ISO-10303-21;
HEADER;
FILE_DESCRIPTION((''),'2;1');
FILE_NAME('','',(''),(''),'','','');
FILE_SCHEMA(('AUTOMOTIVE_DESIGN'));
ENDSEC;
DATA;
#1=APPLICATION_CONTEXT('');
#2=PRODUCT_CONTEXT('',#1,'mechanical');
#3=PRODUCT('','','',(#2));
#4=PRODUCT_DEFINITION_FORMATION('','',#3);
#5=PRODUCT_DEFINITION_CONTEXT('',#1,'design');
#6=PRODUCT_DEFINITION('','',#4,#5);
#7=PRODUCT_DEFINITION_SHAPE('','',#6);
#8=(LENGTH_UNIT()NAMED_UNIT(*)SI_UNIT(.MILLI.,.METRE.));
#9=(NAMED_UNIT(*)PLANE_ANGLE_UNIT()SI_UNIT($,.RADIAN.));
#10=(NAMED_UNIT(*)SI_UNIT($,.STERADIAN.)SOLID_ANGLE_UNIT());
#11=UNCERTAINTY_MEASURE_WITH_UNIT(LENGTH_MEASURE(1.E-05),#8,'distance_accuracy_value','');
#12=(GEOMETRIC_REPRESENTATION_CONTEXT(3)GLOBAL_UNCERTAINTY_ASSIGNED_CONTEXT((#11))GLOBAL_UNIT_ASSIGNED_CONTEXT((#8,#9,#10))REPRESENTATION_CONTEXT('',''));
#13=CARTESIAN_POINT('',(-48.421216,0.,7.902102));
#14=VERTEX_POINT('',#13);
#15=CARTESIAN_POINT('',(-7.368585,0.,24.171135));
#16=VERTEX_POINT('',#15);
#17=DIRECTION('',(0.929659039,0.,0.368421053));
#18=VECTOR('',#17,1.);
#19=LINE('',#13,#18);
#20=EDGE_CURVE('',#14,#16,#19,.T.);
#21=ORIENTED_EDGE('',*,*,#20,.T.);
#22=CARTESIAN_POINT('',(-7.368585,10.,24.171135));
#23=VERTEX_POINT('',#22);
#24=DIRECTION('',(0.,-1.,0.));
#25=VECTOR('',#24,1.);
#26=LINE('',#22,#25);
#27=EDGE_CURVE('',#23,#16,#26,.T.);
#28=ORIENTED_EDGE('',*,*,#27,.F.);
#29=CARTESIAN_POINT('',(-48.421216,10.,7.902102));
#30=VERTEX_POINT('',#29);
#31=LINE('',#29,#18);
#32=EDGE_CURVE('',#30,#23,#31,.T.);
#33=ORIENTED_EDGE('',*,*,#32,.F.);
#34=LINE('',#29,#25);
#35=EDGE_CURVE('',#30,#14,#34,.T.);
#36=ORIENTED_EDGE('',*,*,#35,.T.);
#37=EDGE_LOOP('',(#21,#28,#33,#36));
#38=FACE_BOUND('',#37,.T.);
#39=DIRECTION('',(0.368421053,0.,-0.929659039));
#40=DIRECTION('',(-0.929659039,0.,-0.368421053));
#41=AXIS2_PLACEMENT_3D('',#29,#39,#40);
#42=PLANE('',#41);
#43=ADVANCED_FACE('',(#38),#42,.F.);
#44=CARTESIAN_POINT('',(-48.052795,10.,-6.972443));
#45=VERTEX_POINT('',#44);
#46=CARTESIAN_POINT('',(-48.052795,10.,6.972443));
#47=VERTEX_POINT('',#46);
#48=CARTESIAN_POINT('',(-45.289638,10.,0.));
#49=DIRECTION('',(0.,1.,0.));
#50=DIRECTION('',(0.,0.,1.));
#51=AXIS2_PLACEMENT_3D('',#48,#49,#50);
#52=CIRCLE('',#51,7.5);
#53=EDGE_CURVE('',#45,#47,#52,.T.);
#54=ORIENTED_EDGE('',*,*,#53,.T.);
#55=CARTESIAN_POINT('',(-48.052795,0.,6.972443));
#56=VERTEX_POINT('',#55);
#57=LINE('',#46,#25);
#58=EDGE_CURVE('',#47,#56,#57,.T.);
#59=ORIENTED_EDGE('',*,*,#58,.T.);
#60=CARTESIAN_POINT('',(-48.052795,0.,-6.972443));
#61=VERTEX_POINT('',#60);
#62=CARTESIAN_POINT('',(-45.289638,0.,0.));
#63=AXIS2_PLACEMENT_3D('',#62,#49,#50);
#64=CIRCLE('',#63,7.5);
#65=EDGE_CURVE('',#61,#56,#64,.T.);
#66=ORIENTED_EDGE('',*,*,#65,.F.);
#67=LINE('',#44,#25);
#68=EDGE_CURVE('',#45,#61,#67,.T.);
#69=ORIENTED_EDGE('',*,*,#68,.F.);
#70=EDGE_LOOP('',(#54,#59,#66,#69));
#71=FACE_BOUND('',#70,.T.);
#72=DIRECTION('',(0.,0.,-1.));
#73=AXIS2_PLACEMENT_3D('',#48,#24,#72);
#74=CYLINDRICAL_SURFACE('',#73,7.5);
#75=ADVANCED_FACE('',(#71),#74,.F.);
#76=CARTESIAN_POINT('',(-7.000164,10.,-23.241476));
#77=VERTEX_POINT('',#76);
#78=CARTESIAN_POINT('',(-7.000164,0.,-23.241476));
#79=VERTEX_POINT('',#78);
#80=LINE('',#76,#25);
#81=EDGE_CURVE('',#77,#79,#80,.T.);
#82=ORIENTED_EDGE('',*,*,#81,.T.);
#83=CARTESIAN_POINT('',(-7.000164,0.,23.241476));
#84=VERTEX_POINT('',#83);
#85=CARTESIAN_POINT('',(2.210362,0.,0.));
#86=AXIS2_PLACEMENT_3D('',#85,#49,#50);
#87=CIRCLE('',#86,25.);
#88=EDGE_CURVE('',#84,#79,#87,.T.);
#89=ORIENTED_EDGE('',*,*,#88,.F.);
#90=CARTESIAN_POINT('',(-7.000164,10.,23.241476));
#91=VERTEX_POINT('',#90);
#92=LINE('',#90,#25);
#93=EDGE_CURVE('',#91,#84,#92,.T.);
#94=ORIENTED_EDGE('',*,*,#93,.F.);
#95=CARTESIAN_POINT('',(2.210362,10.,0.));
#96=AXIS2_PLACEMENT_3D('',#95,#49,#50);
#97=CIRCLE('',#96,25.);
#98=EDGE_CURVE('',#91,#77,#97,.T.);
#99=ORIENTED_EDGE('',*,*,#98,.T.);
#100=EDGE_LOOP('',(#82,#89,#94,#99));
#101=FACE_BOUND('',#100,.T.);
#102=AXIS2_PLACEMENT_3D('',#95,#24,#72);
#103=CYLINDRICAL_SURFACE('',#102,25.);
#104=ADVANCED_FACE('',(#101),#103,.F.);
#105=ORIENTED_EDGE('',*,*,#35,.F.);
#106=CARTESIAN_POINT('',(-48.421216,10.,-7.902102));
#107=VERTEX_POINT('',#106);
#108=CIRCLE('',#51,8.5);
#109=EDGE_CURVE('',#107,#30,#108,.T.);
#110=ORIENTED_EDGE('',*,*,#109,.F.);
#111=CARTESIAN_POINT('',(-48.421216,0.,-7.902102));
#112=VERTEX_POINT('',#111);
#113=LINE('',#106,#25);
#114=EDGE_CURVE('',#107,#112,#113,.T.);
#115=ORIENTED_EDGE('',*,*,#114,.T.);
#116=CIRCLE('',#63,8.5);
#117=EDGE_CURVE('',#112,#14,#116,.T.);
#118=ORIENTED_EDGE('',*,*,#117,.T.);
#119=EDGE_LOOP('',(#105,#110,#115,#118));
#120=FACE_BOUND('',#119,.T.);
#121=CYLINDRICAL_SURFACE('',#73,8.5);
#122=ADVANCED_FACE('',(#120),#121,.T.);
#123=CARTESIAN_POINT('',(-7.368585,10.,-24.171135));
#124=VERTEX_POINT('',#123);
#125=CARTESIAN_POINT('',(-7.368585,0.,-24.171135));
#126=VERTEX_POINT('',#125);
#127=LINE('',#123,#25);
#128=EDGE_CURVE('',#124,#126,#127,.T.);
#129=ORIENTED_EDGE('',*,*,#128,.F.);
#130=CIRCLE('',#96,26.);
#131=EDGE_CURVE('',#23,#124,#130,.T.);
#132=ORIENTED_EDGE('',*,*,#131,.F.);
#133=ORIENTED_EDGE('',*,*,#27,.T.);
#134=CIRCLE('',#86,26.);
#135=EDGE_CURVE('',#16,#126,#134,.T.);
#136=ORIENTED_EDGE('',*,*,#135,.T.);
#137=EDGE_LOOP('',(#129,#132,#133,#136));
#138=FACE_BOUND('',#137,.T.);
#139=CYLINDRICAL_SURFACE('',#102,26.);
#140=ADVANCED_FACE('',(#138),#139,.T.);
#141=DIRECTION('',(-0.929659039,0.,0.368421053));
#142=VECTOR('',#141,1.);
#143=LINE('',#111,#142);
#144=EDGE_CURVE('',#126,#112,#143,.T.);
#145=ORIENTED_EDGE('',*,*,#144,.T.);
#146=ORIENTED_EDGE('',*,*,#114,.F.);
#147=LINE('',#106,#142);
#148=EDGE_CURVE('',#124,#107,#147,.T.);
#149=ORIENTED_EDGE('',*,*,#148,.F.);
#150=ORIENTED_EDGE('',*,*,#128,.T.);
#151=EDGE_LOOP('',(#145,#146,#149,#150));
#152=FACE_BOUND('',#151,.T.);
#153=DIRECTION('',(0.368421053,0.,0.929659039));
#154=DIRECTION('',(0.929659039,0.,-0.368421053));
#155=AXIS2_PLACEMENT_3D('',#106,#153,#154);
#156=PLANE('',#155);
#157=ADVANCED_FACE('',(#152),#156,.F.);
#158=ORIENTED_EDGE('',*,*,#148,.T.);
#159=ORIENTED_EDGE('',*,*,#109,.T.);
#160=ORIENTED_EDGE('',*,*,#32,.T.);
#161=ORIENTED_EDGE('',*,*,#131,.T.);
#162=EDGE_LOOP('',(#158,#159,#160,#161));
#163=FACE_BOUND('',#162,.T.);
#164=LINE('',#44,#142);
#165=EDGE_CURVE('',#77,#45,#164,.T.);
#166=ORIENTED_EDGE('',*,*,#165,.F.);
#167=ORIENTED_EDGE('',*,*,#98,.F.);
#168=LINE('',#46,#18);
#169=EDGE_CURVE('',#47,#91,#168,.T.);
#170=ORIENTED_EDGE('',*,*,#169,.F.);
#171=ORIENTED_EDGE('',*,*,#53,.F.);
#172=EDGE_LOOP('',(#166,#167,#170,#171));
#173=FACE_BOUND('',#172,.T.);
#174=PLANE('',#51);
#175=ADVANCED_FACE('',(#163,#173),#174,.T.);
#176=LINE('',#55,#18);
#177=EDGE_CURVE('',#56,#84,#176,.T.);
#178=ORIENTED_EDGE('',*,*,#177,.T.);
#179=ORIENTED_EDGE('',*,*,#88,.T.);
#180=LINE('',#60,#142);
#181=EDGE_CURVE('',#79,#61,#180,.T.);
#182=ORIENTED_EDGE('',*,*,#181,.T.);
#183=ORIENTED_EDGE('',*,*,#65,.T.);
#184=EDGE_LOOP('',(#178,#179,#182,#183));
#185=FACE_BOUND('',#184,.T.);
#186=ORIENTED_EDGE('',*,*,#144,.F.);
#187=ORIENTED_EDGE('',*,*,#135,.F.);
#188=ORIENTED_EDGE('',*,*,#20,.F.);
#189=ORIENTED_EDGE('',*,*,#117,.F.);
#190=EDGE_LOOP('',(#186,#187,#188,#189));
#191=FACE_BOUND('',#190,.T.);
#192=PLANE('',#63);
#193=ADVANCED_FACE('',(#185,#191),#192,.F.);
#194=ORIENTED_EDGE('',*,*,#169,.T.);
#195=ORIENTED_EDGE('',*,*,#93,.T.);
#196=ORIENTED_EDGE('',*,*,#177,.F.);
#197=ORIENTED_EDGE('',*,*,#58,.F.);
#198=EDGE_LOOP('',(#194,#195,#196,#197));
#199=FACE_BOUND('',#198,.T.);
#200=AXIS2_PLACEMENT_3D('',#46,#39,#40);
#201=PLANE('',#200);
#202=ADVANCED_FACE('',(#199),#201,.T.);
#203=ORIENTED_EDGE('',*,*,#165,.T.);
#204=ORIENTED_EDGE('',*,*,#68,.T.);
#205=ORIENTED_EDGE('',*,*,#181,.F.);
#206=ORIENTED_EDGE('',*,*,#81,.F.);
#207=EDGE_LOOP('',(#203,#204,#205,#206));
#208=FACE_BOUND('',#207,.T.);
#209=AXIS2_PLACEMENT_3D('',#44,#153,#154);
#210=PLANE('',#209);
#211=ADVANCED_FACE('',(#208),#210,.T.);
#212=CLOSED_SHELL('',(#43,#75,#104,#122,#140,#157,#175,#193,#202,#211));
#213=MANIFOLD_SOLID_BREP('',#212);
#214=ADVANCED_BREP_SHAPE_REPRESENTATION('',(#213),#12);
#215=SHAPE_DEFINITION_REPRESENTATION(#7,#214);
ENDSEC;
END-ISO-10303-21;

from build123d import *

# Parameters (mm, degrees)
BOSS_EXTRUDE1_DEPTH = 10


with BuildPart() as part:
    # Sketch1 → Boss-Extrude1 (new body)
    with BuildSketch(Plane(origin=(0, 0, 0), x_dir=(1, 0, 0), z_dir=(0, 1, 0))):
        with BuildLine():
            Line((-48.421216475, 7.902101828), (-7.368584896, 24.171135003))
            ThreePointArc((-7.368584896, 24.171135003), (28.210362472, 0), (-7.368584896, -24.171135003))
            Line((-7.368584896, -24.171135003), (-48.421216475, -7.902101828))
            ThreePointArc((-48.421216475, -7.902101828), (-53.789637528, 0), (-48.421216475, 7.902101828))
        make_face()
        with BuildLine():
            Line((-48.052795422, 6.972442789), (-7.000163843, 23.241475964))
            ThreePointArc((-7.000163843, 23.241475964), (27.210362472, 0), (-7.000163843, -23.241475964))
            Line((-7.000163843, -23.241475964), (-48.052795422, -6.972442789))
            ThreePointArc((-48.052795422, -6.972442789), (-52.789637528, 0), (-48.052795422, 6.972442789))
        make_face(mode=Mode.SUBTRACT)
    extrude(amount=BOSS_EXTRUDE1_DEPTH)


solid = part.part
